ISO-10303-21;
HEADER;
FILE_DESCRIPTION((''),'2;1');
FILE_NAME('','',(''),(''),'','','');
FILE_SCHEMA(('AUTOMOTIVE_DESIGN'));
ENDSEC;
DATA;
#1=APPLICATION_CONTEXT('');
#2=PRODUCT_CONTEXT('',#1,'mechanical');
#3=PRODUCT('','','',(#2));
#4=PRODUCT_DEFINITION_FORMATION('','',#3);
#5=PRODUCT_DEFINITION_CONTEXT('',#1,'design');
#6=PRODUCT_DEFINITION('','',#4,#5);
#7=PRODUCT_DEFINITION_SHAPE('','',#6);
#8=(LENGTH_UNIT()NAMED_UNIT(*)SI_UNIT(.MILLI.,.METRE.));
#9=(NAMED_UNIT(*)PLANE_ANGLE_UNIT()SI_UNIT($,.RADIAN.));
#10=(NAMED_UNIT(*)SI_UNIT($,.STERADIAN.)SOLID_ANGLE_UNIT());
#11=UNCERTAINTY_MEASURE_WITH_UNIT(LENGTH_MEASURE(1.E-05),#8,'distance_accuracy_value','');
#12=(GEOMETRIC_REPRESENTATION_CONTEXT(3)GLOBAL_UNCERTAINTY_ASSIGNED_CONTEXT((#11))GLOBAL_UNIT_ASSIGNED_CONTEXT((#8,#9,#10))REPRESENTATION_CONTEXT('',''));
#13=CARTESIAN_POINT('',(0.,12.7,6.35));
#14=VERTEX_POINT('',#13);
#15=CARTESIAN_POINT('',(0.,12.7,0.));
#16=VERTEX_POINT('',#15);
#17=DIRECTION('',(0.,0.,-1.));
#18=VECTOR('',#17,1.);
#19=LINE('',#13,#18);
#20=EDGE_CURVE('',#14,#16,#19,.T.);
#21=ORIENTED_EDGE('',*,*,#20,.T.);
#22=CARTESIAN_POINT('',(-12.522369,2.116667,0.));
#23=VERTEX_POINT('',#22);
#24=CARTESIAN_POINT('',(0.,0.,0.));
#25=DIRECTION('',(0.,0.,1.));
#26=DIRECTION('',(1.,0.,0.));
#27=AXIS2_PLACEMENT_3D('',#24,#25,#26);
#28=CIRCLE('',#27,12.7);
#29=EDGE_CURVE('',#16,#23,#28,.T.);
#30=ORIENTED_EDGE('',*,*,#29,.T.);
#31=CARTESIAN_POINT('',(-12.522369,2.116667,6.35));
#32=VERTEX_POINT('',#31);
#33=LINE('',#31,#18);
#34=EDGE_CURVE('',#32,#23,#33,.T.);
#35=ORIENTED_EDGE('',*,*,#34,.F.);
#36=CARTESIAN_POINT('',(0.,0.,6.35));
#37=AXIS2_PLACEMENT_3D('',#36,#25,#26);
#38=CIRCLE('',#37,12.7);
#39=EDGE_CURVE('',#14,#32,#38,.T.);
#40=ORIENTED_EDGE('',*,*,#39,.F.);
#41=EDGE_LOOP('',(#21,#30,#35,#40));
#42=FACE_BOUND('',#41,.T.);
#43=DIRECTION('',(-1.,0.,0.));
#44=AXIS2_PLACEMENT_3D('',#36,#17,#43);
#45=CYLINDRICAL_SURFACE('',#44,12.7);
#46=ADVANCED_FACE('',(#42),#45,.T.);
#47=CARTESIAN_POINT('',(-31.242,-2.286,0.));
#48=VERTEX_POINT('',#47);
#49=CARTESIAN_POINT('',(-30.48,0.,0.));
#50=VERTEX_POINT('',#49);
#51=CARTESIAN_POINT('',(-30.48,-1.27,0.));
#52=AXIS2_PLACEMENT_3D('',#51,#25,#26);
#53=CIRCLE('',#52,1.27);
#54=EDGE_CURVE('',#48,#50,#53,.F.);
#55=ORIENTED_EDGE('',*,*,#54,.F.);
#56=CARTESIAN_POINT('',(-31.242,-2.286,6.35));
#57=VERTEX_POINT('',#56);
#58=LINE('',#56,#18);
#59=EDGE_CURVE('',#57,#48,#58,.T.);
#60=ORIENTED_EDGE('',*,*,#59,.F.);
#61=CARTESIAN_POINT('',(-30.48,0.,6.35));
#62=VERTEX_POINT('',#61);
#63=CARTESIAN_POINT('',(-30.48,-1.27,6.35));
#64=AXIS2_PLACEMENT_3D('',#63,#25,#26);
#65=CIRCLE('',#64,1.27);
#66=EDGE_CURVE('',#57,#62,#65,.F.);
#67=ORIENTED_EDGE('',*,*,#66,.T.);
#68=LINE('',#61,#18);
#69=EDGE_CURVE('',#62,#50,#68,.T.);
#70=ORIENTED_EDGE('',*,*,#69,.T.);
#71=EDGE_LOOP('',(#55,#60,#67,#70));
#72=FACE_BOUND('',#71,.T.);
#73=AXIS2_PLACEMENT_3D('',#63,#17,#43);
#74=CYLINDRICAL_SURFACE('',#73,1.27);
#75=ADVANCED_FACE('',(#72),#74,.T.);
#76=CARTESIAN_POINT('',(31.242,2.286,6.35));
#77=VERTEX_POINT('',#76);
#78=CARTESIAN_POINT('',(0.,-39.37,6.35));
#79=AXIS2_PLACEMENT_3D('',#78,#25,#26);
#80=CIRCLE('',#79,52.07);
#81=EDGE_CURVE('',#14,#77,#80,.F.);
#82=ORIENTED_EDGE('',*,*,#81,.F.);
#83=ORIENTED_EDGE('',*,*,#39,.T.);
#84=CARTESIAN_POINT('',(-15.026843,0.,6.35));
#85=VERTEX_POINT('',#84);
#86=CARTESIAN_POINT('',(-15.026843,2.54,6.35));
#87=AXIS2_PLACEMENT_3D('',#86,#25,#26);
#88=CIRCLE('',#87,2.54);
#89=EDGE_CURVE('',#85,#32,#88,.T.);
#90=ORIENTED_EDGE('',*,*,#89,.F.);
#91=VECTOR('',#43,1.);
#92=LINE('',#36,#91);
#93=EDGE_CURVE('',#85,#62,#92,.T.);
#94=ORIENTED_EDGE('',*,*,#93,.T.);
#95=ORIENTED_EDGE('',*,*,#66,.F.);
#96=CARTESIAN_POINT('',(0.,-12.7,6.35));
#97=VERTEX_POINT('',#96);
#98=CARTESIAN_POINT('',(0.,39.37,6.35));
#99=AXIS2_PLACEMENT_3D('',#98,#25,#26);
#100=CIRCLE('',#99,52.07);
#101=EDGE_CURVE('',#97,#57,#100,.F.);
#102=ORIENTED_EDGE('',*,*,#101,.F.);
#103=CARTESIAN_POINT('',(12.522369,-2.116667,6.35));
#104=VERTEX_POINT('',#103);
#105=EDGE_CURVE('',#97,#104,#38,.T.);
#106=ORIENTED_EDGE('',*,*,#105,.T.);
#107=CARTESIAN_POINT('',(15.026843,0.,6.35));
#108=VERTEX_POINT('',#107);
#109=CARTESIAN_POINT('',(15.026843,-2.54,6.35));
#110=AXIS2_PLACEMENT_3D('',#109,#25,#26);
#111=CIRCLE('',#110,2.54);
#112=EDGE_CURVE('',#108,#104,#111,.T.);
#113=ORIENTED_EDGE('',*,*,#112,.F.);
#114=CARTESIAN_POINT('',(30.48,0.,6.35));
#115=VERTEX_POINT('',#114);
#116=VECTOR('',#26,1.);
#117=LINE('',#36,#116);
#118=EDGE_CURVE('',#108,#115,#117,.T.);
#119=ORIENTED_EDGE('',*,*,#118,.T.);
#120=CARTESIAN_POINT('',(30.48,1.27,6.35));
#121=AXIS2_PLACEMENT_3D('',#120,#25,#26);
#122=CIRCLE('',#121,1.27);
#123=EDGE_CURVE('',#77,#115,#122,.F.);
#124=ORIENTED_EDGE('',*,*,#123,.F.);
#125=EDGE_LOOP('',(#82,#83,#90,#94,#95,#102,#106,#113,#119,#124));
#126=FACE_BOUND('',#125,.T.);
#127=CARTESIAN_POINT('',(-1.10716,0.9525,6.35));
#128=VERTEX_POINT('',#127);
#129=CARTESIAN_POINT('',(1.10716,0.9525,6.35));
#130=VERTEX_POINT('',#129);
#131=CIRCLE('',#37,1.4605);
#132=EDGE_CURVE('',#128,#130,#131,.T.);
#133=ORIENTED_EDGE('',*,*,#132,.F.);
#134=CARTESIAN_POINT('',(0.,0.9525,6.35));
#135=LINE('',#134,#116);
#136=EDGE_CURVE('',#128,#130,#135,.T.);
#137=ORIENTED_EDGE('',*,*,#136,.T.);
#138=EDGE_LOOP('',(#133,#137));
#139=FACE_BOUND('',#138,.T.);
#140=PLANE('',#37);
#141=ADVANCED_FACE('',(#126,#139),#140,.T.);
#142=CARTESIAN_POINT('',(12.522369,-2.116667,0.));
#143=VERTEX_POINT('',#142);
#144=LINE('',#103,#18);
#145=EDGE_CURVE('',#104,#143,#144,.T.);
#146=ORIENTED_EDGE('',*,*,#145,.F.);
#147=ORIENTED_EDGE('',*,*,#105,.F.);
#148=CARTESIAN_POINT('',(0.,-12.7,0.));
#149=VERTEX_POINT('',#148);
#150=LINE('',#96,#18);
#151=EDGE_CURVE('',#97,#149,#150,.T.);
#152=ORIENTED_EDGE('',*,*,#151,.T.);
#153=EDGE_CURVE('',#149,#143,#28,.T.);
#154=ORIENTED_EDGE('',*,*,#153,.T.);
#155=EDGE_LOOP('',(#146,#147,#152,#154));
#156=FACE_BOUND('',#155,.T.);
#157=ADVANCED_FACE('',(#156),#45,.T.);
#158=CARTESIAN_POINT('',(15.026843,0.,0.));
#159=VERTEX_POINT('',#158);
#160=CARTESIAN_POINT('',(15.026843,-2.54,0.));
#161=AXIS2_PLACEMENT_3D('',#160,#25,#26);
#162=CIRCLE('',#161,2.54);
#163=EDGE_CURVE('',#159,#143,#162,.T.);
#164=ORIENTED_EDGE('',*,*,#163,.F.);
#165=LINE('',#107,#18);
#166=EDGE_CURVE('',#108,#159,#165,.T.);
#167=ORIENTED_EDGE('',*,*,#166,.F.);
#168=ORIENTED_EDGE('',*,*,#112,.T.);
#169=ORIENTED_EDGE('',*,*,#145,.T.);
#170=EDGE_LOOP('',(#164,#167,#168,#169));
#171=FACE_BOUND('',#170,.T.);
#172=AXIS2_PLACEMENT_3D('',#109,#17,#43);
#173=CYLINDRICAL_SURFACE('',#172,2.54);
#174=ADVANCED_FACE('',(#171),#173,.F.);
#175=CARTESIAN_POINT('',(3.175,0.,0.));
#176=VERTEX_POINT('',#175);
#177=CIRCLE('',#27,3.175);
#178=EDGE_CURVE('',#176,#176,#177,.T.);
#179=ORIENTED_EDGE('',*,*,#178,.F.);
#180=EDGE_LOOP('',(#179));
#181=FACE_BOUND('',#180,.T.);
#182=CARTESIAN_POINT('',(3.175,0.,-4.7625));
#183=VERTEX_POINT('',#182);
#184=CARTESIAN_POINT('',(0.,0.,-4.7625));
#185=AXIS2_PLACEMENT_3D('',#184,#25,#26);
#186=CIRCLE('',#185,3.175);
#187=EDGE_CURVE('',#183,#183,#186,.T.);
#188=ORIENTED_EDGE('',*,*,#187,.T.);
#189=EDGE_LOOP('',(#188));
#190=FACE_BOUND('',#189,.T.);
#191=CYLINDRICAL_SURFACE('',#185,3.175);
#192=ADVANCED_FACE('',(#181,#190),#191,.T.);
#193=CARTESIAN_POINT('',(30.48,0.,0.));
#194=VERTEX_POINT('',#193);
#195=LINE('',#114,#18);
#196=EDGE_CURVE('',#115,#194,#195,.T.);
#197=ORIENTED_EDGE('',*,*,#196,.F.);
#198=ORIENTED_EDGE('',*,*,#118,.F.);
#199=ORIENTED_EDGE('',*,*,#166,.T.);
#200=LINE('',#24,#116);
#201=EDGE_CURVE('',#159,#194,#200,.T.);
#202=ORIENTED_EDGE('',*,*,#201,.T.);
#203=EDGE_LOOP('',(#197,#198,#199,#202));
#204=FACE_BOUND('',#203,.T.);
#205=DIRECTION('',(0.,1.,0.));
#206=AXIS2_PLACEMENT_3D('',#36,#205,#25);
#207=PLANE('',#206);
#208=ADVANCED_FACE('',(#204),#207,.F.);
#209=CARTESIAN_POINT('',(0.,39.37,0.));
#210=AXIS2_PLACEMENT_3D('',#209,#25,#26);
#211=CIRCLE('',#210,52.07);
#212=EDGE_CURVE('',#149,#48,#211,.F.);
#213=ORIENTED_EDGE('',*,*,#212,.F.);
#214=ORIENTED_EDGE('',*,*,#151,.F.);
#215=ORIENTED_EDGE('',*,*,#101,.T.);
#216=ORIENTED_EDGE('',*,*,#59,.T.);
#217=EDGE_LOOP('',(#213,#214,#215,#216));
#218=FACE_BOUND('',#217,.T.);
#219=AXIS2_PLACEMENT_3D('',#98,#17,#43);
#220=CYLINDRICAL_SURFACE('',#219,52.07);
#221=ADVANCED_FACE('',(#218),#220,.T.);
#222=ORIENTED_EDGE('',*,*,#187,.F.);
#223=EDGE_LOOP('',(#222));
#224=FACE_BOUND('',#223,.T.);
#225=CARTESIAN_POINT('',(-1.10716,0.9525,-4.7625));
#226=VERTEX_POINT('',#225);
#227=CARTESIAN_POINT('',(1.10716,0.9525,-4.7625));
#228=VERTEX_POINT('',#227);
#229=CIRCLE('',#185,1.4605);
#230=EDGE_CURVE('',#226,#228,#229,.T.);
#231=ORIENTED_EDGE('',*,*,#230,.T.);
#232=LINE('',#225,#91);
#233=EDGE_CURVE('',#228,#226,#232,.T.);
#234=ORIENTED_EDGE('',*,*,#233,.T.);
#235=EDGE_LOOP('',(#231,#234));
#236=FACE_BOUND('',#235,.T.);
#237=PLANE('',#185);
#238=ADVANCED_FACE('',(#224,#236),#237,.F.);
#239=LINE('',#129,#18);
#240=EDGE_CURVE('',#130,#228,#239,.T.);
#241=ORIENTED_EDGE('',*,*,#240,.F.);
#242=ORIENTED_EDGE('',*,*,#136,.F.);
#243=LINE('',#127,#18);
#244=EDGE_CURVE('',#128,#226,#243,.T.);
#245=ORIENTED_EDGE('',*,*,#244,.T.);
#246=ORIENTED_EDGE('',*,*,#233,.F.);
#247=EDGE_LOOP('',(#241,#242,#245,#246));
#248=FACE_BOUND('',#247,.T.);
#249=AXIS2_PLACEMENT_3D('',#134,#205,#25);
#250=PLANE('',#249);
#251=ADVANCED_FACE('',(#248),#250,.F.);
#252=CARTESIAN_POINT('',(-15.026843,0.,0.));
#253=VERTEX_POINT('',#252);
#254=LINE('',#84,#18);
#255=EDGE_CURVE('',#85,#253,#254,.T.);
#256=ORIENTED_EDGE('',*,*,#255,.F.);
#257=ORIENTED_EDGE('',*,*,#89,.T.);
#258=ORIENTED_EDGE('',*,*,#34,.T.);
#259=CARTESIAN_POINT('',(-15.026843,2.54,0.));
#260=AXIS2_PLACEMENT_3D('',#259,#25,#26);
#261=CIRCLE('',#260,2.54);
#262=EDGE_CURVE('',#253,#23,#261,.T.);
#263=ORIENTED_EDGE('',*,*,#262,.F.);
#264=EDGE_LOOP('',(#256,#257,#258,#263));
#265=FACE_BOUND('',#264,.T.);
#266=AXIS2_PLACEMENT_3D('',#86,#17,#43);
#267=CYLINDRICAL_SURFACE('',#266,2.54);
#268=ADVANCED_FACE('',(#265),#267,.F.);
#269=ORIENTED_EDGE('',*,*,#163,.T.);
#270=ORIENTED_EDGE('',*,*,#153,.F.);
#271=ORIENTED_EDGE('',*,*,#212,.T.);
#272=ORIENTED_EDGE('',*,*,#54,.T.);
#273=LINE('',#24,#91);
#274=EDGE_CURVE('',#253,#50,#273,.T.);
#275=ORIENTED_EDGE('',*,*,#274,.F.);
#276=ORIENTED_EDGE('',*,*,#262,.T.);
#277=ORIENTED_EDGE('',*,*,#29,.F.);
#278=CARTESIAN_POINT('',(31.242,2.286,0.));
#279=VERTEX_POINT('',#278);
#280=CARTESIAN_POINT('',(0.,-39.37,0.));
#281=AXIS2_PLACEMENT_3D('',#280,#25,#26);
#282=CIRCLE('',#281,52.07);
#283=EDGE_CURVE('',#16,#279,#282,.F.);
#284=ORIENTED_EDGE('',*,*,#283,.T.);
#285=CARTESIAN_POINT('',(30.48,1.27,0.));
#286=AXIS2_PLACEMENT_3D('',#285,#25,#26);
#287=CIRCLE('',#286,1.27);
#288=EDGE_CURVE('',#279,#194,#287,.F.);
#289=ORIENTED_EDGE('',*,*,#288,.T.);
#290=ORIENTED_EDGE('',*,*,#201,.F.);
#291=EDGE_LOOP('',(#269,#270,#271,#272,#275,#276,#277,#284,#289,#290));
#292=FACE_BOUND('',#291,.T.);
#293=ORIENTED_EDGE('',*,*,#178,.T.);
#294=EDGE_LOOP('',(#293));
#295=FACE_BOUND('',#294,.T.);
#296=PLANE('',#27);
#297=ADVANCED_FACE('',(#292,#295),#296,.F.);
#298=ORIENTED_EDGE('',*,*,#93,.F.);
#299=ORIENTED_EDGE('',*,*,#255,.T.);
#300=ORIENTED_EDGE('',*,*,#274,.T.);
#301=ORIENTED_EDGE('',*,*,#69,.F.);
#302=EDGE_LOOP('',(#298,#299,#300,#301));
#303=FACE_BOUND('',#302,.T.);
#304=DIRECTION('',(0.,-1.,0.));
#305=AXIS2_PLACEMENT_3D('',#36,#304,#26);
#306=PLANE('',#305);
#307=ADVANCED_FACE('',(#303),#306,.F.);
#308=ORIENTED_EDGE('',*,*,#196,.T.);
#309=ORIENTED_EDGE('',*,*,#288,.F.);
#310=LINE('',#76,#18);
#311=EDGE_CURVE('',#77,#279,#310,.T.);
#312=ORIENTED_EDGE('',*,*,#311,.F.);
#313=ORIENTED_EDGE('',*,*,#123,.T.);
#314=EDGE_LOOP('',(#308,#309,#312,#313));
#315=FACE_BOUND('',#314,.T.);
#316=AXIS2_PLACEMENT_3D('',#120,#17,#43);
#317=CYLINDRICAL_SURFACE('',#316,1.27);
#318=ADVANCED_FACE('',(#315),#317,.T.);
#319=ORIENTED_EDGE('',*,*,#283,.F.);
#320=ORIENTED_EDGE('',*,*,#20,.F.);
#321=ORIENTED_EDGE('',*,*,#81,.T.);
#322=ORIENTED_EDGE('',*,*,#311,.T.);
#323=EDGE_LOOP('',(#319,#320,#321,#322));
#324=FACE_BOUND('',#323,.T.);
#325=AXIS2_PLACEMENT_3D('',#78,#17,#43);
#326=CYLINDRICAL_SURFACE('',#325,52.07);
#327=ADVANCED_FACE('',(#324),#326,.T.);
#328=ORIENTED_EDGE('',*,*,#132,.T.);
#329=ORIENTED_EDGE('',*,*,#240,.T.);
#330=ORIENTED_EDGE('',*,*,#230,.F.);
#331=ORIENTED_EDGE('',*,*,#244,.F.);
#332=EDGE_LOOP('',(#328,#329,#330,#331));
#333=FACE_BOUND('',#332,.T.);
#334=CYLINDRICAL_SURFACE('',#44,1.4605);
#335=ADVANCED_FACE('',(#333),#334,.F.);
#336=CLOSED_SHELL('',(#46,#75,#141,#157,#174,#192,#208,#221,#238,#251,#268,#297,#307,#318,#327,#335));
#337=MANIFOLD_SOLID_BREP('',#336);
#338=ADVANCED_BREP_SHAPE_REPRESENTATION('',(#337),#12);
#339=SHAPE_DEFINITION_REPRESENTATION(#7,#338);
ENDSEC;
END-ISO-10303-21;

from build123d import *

# Parameters (mm, degrees)
BOSS_EXTRUDE1_DEPTH = 6.35
BOSS_EXTRUDE2_START = -11.1125
SKETCH2_R           = 3.175
BOSS_EXTRUDE2_DEPTH = 11.1125


with BuildPart() as part:
    # Sketch1 → Boss-Extrude1 (new body)
    with BuildSketch(Plane.XY):
        with BuildLine():
            Line((15.026842649, 0), (30.48, 0))
            ThreePointArc((30.48, 0), (31.684827789, 0.868390737), (31.242, 2.286))
            ThreePointArc((31.242, 2.286), (16.465979776, 10.027939329), (0, 12.7))
            ThreePointArc((0, 12.7), (-8.197814749, 9.699785221), (-12.522368874, 2.116666667))
            ThreePointArc((-12.522368874, 2.116666667), (-13.387279699, 0.600042956), (-15.026842649, 0))
            Line((-15.026842649, 0), (-30.48, 0))
            ThreePointArc((-30.48, 0), (-31.684827789, -0.868390737), (-31.242, -2.286))
            ThreePointArc((-31.242, -2.286), (-16.465979776, -10.027939329), (0, -12.7))
            ThreePointArc((0, -12.7), (8.197814749, -9.699785221), (12.522368874, -2.116666667))
            ThreePointArc((12.522368874, -2.116666667), (13.387279699, -0.600042956), (15.026842649, 0))
        make_face()
        with BuildLine():
            Line((-1.107160332, 0.9525), (1.107160332, 0.9525))
            ThreePointArc((1.107160332, 0.9525), (0, -1.4605), (-1.107160332, 0.9525))
        make_face(mode=Mode.SUBTRACT)
    extrude(amount=BOSS_EXTRUDE1_DEPTH)

    # Sketch2 → Boss-Extrude2 (add)
    with BuildSketch(Plane.XY.offset(6.35).offset(BOSS_EXTRUDE2_START)):
        Circle(SKETCH2_R)
        with BuildLine():
            Line((-1.107160332, 0.9525), (1.107160332, 0.9525))
            ThreePointArc((1.107160332, 0.9525), (0, -1.4605), (-1.107160332, 0.9525))
        make_face(mode=Mode.SUBTRACT)
    extrude(amount=BOSS_EXTRUDE2_DEPTH)


solid = part.part
